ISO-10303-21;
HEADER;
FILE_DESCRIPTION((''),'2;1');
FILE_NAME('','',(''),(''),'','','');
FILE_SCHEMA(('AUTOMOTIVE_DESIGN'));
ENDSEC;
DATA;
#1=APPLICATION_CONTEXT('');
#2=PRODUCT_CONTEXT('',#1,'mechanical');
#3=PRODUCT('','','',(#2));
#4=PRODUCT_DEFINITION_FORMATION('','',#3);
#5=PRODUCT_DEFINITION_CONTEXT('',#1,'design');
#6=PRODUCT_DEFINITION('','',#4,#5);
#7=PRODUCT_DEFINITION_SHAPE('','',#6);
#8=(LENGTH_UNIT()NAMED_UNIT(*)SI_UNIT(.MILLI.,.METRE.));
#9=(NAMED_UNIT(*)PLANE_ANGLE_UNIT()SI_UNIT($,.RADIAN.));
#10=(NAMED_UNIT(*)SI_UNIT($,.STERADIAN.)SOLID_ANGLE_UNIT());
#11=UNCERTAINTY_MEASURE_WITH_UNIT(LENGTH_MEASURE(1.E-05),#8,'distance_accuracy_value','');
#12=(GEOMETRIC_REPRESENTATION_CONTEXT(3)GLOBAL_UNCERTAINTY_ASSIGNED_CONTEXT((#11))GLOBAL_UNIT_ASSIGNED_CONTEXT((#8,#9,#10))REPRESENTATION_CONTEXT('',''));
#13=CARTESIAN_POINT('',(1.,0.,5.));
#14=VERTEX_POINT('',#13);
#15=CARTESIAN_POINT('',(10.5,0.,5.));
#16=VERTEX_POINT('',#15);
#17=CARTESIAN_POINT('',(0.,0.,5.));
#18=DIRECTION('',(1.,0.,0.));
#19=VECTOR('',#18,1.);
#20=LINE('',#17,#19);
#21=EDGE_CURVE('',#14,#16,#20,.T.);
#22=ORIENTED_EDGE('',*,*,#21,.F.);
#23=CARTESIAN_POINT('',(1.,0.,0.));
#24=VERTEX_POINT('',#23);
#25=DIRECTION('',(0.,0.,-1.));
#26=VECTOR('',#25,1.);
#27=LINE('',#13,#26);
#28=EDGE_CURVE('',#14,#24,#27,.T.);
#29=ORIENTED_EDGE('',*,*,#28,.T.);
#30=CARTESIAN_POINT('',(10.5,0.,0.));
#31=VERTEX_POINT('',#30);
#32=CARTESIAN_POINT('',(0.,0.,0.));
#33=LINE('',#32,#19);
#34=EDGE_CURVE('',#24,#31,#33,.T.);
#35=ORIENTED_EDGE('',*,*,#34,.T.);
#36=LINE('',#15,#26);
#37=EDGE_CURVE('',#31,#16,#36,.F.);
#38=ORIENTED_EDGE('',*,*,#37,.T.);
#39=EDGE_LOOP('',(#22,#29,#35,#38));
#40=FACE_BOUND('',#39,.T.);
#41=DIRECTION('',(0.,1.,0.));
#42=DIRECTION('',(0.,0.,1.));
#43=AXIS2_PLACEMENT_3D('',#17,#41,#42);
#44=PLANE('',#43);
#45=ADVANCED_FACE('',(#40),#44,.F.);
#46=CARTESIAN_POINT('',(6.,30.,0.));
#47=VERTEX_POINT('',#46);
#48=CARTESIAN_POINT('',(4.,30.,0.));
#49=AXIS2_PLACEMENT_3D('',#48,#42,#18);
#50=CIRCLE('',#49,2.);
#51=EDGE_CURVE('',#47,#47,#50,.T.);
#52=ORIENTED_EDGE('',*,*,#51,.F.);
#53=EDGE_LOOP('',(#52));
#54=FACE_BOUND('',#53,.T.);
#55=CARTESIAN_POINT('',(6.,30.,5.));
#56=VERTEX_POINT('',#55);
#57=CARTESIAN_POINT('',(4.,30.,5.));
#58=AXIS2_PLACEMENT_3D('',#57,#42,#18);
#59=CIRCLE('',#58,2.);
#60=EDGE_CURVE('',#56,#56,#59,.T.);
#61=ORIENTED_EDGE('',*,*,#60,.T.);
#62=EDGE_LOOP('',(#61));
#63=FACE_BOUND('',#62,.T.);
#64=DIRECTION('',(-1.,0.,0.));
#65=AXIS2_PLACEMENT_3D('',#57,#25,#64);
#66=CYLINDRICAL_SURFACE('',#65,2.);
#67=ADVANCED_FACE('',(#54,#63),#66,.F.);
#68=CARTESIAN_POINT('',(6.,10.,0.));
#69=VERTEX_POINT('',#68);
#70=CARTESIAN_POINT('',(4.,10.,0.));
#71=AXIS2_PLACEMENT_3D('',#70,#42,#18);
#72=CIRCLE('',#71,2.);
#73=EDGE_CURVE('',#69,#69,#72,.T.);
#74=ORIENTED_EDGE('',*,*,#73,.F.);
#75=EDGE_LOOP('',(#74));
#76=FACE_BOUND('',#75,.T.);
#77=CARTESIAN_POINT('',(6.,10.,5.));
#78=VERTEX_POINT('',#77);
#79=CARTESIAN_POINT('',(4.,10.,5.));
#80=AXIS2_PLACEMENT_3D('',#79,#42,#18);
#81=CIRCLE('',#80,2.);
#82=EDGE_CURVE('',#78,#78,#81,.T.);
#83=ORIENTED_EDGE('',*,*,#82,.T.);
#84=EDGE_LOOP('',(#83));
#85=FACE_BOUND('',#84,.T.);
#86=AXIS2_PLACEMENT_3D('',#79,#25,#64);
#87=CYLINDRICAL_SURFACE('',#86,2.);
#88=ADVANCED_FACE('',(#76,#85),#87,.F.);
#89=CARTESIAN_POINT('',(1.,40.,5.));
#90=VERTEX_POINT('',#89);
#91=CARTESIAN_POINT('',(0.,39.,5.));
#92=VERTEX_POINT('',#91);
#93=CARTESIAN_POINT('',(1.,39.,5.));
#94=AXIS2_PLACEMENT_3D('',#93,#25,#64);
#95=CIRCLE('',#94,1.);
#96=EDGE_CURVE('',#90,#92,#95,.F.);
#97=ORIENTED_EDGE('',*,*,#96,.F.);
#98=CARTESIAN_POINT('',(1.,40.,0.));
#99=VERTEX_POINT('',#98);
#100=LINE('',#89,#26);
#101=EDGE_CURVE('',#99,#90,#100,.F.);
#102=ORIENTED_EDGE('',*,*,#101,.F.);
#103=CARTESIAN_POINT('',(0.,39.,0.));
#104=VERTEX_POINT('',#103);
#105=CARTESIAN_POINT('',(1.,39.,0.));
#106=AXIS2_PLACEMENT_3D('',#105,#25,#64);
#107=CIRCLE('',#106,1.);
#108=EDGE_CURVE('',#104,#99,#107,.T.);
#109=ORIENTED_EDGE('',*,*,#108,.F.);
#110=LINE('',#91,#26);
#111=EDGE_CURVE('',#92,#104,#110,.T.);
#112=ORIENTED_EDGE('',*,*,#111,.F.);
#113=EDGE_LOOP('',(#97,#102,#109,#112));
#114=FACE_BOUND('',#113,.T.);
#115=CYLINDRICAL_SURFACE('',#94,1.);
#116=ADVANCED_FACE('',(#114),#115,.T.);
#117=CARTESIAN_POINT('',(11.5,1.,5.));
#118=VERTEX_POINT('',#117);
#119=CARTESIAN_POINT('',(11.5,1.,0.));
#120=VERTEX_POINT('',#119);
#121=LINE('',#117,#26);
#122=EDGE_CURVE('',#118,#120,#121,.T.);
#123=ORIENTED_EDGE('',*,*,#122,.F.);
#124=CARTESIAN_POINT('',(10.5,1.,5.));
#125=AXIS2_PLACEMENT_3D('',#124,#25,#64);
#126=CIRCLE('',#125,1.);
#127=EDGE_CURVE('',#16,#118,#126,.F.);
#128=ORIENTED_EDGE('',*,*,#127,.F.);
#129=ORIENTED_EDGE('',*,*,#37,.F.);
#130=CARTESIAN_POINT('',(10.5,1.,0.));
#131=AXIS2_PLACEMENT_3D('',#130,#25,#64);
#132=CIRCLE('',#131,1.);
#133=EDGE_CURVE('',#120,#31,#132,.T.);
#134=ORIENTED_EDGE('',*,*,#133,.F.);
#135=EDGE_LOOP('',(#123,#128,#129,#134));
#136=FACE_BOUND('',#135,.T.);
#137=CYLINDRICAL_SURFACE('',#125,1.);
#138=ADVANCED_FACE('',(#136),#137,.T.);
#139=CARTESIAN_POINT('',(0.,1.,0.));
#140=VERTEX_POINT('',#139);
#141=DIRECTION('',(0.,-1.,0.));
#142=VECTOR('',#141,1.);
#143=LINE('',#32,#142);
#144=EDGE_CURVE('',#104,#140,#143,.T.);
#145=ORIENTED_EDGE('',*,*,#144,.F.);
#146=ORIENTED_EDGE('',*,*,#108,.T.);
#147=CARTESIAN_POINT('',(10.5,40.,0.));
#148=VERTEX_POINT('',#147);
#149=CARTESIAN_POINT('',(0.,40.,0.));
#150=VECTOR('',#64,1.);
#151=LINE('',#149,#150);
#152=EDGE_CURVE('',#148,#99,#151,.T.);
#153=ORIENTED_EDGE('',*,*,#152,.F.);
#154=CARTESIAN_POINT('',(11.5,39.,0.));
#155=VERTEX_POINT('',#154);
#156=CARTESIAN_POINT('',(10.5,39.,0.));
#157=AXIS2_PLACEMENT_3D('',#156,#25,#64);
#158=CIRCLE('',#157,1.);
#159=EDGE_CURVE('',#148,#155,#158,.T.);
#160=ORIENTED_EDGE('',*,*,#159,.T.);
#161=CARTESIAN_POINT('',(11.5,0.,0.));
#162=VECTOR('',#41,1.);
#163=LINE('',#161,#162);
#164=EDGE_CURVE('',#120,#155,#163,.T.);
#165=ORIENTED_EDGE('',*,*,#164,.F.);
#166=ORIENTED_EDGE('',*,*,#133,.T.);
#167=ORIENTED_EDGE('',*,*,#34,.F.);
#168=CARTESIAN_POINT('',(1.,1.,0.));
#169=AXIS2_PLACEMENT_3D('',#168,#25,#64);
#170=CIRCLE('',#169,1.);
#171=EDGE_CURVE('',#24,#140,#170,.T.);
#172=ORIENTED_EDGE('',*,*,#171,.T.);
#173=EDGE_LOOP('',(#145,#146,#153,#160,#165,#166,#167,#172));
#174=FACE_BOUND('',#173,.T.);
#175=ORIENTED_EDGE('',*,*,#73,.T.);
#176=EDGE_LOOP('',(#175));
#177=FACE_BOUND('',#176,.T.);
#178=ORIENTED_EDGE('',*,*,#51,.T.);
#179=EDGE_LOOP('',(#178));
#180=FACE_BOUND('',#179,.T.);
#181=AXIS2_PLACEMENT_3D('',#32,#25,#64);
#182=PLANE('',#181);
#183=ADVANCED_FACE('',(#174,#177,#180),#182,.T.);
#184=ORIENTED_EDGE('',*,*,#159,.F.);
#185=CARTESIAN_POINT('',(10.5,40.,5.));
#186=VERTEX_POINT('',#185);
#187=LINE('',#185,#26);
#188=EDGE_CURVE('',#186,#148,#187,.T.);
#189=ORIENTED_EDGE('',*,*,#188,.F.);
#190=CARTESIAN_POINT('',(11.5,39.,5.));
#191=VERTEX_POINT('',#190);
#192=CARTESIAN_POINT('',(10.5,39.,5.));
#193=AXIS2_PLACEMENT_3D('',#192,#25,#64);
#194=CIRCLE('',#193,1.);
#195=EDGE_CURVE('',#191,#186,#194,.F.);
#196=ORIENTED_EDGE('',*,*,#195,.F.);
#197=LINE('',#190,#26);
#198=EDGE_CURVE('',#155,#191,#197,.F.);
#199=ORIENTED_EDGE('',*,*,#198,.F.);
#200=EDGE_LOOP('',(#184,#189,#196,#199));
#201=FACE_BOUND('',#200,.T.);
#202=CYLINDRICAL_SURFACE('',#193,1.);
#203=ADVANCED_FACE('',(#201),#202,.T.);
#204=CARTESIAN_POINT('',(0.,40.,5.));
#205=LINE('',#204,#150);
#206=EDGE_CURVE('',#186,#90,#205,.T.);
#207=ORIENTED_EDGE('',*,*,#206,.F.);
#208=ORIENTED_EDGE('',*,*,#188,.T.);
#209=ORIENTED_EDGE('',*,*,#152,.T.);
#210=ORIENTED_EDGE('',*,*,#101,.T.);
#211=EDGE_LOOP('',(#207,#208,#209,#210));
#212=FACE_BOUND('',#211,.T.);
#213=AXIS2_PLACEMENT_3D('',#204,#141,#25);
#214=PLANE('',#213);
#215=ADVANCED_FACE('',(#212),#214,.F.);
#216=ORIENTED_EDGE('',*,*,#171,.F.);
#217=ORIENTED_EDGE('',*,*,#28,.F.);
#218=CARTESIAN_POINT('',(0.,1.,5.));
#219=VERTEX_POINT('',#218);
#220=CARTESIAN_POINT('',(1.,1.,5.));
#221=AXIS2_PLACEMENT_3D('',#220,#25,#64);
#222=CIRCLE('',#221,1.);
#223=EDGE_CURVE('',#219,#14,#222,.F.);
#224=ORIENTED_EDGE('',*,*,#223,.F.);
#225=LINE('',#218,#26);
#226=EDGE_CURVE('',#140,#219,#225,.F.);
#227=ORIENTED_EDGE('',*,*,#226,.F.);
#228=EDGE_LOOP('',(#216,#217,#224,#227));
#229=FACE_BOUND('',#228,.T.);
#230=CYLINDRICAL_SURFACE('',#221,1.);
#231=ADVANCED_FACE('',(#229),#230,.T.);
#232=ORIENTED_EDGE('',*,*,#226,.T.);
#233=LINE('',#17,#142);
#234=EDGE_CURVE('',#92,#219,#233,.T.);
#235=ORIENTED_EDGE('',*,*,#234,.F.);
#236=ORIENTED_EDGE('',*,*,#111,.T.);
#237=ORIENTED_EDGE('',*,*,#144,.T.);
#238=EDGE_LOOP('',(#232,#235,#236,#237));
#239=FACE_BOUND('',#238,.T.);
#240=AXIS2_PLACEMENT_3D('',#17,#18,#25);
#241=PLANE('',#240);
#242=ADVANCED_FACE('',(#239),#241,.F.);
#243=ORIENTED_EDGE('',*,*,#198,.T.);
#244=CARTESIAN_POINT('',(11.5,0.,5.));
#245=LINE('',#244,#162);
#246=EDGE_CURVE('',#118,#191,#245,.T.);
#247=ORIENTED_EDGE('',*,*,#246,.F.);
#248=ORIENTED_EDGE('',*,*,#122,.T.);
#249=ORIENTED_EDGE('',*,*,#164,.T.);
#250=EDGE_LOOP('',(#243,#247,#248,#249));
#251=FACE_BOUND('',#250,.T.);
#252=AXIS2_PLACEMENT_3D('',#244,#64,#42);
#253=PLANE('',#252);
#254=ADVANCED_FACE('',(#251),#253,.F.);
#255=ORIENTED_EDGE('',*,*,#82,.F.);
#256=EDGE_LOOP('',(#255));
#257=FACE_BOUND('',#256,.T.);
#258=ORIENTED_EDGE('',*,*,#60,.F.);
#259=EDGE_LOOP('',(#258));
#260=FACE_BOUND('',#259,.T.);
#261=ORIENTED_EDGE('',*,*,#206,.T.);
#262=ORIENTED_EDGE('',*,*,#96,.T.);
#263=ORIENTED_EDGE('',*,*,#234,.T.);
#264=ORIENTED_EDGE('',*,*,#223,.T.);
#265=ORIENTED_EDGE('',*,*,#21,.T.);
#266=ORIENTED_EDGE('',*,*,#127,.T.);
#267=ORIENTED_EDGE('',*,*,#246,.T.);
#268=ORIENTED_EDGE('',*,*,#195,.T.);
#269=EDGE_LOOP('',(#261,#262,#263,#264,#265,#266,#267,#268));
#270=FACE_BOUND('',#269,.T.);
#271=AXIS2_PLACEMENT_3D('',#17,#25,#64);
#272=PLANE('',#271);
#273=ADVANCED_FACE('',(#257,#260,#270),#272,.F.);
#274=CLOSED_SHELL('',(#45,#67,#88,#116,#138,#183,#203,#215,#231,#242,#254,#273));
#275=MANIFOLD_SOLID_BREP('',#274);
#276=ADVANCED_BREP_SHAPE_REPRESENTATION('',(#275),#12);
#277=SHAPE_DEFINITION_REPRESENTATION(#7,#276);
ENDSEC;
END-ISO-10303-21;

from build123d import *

# Parameters (mm, degrees)
SKETCH1_W           = 11.5
SKETCH1_H           = 40
SKETCH1_R           = 2
BOSS_EXTRUDE1_DEPTH = 5
FILLET1_R           = 1


with BuildPart() as part:
    # Sketch1 → Boss-Extrude1 (new body)
    with BuildSketch(Plane.XY):
        with Locations((5.75, 20)):
            Rectangle(SKETCH1_W, SKETCH1_H)
        with Locations((4, 10)):
            Circle(SKETCH1_R, mode=Mode.SUBTRACT)
        with Locations((4, 30)):
            Circle(SKETCH1_R, mode=Mode.SUBTRACT)
    extrude(amount=BOSS_EXTRUDE1_DEPTH)

    # Fillet1
    fillet1_edges = [part.edges().sort_by_distance(p)[0] for p in [
        (0, 40, 2.5),
        (11.5, 40, 2.5),
        (11.5, 0, 2.5),
        (0, 0, 2.5),
    ]]
    fillet(fillet1_edges, radius=FILLET1_R)


solid = part.part
